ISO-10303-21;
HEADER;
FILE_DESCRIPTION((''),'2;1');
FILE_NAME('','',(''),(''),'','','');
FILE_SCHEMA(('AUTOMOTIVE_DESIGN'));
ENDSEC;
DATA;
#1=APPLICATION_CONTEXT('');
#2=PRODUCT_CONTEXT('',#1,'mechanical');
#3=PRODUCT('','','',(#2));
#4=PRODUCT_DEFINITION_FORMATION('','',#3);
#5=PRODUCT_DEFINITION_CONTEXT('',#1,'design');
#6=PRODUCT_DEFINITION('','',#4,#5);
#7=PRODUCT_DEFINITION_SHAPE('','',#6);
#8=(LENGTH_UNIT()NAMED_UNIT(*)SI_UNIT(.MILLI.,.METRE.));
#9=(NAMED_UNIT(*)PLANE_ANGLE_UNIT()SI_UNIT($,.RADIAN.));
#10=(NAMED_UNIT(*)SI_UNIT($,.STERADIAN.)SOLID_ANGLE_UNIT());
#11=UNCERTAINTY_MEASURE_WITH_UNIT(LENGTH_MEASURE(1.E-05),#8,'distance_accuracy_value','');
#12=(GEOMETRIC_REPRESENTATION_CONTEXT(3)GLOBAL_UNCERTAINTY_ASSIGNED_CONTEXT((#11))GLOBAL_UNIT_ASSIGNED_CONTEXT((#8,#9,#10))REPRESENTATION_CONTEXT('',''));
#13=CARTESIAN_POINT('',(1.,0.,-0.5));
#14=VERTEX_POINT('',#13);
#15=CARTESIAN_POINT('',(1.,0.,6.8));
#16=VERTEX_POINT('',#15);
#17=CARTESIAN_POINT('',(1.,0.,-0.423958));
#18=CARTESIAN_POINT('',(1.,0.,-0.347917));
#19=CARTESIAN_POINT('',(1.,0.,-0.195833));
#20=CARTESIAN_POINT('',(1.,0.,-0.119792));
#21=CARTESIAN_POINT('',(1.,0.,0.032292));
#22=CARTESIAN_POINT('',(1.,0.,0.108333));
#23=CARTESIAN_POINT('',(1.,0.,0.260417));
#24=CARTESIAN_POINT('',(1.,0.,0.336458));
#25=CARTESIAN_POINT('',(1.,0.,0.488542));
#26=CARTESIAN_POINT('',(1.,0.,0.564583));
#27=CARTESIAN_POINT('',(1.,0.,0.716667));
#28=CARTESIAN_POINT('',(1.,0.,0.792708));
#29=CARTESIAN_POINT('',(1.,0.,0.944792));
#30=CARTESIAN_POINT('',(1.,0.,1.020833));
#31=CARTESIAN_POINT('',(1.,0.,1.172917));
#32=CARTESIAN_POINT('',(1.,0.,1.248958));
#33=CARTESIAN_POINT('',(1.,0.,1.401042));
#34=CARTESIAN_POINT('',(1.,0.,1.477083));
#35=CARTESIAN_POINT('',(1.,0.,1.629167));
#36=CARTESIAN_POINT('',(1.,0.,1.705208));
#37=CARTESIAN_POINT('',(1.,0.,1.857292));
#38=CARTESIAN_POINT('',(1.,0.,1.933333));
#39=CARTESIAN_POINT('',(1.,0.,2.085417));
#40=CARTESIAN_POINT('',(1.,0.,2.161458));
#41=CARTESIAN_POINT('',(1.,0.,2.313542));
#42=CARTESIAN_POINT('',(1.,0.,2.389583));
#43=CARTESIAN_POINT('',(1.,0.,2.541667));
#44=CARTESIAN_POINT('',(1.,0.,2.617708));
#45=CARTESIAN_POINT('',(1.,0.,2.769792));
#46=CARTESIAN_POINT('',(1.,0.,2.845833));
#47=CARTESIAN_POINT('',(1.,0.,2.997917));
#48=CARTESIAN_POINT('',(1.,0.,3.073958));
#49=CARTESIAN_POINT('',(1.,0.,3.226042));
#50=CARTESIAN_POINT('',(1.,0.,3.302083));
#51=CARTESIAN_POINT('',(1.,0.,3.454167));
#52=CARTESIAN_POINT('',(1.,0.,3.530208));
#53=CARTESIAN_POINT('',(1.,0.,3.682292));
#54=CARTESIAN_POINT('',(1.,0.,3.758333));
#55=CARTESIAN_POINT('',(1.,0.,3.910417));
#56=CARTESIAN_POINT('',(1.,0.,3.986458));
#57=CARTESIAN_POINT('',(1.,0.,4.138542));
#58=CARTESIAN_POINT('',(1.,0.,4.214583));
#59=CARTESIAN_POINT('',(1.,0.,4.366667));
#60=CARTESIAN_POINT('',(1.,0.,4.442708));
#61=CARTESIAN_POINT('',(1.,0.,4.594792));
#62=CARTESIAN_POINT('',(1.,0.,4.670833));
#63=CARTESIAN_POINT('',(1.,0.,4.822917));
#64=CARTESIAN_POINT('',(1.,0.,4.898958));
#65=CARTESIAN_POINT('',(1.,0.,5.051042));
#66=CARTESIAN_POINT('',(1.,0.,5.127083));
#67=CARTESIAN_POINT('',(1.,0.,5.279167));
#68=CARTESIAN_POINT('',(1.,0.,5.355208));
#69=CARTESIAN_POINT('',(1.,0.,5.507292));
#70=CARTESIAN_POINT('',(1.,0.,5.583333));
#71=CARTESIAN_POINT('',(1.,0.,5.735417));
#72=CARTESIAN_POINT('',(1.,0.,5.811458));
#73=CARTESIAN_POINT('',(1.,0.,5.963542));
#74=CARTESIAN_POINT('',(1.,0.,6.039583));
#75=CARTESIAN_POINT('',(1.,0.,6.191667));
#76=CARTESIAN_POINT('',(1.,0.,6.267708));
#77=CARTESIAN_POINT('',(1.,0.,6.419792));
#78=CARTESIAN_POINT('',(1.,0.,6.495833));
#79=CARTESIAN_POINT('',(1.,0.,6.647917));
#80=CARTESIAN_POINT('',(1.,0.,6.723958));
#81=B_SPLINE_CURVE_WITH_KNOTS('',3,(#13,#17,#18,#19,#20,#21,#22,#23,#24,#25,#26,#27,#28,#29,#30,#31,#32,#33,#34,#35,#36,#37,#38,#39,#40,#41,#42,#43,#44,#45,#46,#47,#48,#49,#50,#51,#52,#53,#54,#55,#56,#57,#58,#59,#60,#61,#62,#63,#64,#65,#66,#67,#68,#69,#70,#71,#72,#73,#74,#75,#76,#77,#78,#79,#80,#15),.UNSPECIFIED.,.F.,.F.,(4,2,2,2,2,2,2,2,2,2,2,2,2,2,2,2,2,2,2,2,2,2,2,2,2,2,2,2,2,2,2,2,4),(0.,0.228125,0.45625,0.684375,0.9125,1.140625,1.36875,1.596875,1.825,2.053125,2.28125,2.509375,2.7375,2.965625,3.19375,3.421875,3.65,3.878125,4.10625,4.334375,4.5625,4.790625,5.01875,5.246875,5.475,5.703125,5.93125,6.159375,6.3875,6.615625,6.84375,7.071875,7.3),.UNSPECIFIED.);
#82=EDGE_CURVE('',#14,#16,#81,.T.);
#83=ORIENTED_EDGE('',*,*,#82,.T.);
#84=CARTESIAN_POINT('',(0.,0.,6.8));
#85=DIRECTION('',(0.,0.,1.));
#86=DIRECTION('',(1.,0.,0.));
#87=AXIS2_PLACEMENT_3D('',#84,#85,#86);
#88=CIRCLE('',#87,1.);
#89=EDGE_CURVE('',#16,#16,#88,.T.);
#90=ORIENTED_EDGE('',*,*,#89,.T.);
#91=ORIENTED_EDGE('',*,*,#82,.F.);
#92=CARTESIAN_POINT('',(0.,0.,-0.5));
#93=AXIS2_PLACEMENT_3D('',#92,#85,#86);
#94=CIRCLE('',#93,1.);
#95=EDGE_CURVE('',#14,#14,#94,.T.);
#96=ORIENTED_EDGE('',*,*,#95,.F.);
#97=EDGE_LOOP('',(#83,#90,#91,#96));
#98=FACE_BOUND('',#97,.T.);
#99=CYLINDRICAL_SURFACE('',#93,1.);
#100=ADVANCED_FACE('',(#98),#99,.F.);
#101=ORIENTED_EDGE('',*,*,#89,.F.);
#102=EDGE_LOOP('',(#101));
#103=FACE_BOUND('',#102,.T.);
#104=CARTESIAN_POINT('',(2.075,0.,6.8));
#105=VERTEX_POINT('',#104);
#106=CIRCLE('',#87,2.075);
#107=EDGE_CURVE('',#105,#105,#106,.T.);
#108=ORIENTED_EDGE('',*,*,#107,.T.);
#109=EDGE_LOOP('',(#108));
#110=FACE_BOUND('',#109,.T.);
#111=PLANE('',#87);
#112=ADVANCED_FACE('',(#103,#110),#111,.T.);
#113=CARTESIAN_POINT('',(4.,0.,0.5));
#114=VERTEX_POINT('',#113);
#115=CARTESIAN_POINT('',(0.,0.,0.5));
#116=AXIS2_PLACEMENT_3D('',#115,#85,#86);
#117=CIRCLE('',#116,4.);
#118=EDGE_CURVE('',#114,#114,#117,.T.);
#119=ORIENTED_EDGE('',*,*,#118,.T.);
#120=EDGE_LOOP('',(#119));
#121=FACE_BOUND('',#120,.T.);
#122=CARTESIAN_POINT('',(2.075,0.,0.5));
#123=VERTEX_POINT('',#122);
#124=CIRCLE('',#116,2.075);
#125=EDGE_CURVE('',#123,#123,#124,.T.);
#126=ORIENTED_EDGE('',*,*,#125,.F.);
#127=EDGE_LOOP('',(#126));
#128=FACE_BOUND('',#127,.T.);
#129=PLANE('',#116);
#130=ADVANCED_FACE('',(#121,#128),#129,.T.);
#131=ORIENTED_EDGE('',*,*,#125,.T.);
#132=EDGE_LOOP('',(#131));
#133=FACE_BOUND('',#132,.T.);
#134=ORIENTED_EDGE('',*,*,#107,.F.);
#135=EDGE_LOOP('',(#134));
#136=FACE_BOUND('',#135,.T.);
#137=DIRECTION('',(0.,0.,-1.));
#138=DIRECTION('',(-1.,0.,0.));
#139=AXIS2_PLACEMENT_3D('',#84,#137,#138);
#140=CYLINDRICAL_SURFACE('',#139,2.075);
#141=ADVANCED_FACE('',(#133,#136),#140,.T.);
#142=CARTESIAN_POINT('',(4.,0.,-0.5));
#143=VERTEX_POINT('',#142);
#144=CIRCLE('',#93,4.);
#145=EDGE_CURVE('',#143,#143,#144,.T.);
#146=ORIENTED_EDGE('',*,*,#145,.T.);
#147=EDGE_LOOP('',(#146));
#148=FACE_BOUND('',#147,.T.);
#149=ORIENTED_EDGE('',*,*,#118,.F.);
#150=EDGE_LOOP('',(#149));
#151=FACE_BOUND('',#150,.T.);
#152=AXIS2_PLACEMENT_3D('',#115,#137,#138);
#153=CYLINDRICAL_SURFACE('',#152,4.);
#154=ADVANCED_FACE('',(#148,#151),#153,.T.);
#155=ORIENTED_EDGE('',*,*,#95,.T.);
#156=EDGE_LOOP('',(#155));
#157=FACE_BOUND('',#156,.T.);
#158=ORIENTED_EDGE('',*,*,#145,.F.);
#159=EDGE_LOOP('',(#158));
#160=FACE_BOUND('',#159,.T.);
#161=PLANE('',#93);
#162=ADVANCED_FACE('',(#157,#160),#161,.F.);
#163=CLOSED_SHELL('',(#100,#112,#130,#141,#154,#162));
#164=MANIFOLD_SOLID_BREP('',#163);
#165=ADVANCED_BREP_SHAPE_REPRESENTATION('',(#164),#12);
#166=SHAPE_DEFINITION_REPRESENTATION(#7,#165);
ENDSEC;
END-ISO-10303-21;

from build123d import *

# Parameters (mm, degrees)
FLANGE_SKETCH_R      = 4
FLANGE_EXTRUDE_DEPTH = 0.5
JOINT_SKETCH_R       = 2.075
JOINT_EXTRUDE_DEPTH  = 6.3
HOLE_SKETCH_R        = 1
HOLE_EXTRUDE_DEPTH   = 10.235258524


with BuildPart() as part:
    # Flange Sketch → Flange Extrude (new, symmetric)
    with BuildSketch(Plane.XY):
        Circle(FLANGE_SKETCH_R)
    extrude(amount=FLANGE_EXTRUDE_DEPTH, both=True)

    # Joint Sketch → Joint Extrude (add)
    with BuildSketch(Plane.XY.offset(0.5)):
        Circle(JOINT_SKETCH_R)
    extrude(amount=JOINT_EXTRUDE_DEPTH)

    # Hole Sketch → Hole Extrude (cut, through all)
    with BuildSketch(Plane.XY.offset(6.8)):
        Circle(HOLE_SKETCH_R)
    extrude(amount=-HOLE_EXTRUDE_DEPTH, mode=Mode.SUBTRACT)


solid = part.part
